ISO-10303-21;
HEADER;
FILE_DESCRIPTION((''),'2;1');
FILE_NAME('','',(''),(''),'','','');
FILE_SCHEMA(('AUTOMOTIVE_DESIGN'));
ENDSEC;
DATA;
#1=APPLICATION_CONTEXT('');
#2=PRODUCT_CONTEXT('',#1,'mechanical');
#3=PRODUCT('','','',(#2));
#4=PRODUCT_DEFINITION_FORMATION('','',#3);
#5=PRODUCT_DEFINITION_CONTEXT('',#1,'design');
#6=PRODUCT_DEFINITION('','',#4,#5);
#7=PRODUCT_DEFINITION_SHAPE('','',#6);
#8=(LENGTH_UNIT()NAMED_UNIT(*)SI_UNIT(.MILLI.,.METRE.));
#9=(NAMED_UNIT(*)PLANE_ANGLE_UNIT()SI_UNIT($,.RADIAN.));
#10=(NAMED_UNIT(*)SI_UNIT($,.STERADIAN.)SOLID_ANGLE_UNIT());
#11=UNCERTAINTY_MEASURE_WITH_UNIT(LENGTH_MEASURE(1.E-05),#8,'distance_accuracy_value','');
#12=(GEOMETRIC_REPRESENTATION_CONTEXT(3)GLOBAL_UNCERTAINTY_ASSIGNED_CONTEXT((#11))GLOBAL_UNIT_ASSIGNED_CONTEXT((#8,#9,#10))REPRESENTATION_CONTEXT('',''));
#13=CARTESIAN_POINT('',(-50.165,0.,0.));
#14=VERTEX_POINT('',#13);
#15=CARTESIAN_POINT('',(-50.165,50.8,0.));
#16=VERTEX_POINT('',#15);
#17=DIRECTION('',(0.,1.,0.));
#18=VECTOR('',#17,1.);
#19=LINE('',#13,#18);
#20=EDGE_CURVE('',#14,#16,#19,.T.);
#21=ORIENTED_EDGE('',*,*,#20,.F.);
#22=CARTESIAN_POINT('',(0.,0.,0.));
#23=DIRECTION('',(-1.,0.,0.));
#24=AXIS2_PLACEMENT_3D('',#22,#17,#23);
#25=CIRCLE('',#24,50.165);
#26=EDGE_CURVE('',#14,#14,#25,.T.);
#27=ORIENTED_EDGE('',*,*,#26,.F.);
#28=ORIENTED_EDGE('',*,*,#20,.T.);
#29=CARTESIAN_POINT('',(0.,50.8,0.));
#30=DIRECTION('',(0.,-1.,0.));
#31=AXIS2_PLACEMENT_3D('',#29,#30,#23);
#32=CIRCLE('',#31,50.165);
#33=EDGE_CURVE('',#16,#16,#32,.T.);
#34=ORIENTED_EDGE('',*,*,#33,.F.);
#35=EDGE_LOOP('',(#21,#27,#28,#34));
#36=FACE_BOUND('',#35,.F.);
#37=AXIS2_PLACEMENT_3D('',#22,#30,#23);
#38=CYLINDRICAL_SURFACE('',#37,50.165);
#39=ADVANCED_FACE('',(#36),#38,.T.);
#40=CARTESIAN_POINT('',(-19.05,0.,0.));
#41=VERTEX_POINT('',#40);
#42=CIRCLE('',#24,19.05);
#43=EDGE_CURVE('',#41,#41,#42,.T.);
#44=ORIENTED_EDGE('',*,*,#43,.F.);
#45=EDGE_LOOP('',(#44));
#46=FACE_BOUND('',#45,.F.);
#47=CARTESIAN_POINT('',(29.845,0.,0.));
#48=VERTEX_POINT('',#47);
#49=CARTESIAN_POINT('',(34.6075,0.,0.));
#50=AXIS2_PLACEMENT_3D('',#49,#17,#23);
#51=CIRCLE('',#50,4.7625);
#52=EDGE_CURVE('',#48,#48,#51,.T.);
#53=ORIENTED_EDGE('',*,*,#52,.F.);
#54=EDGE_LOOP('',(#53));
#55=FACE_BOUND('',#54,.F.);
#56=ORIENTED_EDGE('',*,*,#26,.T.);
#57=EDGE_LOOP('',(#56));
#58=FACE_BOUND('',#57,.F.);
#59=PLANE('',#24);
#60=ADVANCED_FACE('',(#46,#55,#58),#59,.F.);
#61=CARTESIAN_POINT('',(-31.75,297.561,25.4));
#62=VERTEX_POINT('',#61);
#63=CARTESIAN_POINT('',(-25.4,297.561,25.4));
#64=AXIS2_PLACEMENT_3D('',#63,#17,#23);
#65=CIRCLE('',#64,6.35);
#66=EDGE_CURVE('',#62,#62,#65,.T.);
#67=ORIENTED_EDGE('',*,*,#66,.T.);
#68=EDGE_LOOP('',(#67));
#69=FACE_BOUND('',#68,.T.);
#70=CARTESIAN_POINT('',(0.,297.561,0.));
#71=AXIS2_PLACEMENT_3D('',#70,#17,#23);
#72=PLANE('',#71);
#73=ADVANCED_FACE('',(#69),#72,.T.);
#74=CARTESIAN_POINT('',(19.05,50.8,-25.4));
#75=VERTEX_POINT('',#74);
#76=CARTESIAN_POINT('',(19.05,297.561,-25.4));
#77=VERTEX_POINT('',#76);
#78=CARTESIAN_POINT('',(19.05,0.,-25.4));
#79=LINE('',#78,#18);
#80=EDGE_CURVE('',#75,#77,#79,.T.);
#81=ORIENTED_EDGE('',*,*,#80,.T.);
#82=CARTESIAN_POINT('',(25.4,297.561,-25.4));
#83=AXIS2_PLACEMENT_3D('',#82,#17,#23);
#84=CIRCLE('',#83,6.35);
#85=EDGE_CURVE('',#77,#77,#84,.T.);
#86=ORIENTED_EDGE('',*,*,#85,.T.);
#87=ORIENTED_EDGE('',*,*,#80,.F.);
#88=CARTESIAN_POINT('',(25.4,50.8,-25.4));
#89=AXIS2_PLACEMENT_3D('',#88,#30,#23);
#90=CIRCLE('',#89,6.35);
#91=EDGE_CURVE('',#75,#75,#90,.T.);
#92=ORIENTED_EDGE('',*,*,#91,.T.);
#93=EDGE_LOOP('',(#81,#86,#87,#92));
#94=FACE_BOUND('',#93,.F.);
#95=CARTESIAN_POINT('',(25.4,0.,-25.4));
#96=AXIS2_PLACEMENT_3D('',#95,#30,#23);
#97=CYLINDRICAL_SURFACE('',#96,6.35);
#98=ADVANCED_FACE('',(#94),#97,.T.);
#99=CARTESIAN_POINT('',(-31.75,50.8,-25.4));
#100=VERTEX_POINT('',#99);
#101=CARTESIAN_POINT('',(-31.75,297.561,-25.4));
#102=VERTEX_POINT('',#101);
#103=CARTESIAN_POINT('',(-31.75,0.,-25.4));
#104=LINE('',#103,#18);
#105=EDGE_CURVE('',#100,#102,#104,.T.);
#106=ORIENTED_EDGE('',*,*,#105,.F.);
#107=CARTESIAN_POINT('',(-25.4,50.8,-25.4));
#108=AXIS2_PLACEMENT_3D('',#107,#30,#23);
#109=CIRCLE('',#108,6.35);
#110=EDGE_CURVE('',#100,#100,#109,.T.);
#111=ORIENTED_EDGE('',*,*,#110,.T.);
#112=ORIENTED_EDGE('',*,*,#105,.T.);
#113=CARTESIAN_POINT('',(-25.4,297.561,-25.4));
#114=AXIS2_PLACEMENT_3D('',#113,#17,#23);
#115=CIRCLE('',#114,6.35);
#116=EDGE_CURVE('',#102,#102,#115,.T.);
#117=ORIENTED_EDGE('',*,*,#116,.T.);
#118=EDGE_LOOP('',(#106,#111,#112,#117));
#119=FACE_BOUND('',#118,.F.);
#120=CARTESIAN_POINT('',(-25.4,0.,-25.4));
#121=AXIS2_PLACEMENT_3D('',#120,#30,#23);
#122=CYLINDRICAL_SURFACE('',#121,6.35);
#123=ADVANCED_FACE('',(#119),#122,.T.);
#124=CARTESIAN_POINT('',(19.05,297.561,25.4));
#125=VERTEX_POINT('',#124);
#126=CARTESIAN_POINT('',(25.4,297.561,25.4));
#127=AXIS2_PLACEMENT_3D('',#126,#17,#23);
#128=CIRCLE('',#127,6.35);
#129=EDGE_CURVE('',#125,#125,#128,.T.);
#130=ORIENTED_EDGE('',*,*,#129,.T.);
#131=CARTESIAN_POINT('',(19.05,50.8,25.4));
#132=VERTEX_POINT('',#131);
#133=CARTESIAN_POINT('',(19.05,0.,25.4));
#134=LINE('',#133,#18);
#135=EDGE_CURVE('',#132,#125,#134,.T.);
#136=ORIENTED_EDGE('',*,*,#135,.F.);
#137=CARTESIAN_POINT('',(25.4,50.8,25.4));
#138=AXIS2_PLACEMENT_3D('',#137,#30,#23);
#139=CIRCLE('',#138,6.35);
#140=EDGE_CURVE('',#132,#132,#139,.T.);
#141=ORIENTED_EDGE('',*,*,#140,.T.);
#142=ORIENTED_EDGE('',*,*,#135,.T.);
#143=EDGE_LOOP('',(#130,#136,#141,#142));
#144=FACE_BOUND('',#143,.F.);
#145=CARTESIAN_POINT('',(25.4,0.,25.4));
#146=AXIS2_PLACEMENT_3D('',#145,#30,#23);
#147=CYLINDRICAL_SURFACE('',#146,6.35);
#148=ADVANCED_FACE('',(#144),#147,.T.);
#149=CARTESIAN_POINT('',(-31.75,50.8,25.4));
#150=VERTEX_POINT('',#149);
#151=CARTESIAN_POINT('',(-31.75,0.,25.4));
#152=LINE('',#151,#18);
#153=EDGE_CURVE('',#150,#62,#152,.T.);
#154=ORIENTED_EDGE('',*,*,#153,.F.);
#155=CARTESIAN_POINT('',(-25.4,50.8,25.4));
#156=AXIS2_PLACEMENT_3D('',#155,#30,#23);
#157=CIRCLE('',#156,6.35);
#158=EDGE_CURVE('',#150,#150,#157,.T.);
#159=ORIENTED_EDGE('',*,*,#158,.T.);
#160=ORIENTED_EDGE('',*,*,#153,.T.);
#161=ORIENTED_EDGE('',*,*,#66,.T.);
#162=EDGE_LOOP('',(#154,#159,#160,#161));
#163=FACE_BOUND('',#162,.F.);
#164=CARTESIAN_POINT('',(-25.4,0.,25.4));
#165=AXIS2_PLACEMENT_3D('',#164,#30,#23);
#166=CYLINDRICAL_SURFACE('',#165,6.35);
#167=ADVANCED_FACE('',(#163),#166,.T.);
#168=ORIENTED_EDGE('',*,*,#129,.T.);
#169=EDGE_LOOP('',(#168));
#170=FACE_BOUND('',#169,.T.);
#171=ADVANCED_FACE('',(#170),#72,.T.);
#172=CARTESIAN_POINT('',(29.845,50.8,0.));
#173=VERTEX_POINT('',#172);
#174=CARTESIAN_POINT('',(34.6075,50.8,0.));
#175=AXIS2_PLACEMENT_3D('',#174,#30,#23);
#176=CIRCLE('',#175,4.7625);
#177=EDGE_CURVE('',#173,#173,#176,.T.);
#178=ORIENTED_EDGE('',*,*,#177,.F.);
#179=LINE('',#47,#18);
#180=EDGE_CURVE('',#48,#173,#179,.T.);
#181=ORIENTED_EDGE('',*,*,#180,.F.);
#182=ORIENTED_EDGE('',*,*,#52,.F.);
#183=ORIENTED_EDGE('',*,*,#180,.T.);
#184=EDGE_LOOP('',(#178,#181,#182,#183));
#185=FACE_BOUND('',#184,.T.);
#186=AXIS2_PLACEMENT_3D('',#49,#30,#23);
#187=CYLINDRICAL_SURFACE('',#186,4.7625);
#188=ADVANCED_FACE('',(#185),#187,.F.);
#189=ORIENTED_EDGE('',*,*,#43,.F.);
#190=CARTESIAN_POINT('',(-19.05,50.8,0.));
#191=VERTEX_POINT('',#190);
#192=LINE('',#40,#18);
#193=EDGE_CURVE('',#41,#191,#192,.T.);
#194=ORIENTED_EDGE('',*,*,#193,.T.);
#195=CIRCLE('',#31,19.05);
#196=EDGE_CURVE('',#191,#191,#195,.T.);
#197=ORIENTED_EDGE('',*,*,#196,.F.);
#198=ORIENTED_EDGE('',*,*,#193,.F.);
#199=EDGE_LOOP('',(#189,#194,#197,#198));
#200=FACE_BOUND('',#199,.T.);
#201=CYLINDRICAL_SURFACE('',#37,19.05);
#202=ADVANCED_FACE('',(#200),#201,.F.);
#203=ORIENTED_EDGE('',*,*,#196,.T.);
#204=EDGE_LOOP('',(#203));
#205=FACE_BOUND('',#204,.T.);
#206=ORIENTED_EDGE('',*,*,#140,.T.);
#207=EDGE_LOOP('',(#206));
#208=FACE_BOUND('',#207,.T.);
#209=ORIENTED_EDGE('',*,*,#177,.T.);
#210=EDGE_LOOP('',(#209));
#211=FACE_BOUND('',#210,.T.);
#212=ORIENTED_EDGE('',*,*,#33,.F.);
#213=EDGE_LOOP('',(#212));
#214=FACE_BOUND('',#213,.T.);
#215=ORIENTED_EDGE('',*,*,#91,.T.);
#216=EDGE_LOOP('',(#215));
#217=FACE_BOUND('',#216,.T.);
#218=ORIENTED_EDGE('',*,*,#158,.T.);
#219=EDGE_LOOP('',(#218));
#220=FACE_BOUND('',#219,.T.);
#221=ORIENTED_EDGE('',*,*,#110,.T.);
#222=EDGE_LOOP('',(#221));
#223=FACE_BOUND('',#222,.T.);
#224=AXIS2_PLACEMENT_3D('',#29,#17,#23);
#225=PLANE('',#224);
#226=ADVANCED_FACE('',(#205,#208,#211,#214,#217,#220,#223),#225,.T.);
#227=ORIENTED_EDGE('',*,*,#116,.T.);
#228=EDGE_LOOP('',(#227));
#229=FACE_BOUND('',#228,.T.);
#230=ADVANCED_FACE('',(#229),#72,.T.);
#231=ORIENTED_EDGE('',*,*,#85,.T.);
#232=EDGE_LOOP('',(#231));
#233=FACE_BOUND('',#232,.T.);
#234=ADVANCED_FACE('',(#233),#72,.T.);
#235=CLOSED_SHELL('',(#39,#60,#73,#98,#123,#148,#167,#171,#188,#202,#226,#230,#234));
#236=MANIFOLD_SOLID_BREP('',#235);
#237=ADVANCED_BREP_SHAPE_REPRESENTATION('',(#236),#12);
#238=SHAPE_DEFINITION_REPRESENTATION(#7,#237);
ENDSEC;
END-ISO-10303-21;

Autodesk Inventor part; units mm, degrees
ref_plane "YZ Plane" through (0, 0, 0) normal (1, 0, 0) x (0, 1, 0)
ref_plane "XZ Plane" through (0, 0, 0) normal (0, 1, 0) x (-1, 0, 0)
ref_plane "XY Plane" through (0, 0, 0) normal (0, 0, 1) x (1, 0, 0)
sketch "Sketch1" plane through (0, 0, 0) normal (0, 1, 0) x (-1, 0, 0)
  circle A0 centre (0, 0) radius 50.165
  circle A1 centre (0, 0) radius 19.05
  line L0 (0, 50.165) -> (0, -50.165)
  line L1 (50.165, 0) -> (-50.165, 0)
  line L2 (0, 0) -> (-31.75, 0)
  line L3 (0, 0) -> (-25.4, 0)
  line L4 (0, 25.4) -> (0, 0)
  circle A2 centre (-25.4, 25.4) radius 6.35
  circle A3 centre (25.4, 25.4) radius 6.35
  circle A4 centre (-25.4, -25.4) radius 6.35
  circle A5 centre (25.4, -25.4) radius 6.35
  line L5 (-19.05, 0) -> (-50.165, 0)
  circle A6 centre (-34.6075, 0) radius 4.7625
  dimension "d1" = 38.1
  dimension "d0" = 100.33
  dimension "d6" = 31.75
  dimension "d10" = 12.7
  dimension "d13" = 9.525
extrude "Extrusion1" add sketch "Sketch1" along normal blind 50.8 contours L1 A1 L0 A0 | A0 L0 A1 L1 | L0 A1 L1 A6 A0 | A0 L1 A6 A1 L0 | L1 L0 A1 | A1 L0 L1 | A1 L1 L0 | L0 L1 A1 | A6 L1 | L1 A6 | A2 | A3 | A4 | A5
extrude "Extrusion2" cut sketch "Sketch1" along normal blind 285.242 contours L1 L0 A1 | A1 L0 L1 | A1 L1 L0 | L0 L1 A1
extrude "Extrusion3" add sketch "Sketch1" along normal blind 297.561 contours A2 | A3 | A4 | A5
extrude "Extrusion4" cut sketch "Sketch1" along normal blind 79.375 contours A6 L1 | L1 A6
properties part number "Chamber Top"
